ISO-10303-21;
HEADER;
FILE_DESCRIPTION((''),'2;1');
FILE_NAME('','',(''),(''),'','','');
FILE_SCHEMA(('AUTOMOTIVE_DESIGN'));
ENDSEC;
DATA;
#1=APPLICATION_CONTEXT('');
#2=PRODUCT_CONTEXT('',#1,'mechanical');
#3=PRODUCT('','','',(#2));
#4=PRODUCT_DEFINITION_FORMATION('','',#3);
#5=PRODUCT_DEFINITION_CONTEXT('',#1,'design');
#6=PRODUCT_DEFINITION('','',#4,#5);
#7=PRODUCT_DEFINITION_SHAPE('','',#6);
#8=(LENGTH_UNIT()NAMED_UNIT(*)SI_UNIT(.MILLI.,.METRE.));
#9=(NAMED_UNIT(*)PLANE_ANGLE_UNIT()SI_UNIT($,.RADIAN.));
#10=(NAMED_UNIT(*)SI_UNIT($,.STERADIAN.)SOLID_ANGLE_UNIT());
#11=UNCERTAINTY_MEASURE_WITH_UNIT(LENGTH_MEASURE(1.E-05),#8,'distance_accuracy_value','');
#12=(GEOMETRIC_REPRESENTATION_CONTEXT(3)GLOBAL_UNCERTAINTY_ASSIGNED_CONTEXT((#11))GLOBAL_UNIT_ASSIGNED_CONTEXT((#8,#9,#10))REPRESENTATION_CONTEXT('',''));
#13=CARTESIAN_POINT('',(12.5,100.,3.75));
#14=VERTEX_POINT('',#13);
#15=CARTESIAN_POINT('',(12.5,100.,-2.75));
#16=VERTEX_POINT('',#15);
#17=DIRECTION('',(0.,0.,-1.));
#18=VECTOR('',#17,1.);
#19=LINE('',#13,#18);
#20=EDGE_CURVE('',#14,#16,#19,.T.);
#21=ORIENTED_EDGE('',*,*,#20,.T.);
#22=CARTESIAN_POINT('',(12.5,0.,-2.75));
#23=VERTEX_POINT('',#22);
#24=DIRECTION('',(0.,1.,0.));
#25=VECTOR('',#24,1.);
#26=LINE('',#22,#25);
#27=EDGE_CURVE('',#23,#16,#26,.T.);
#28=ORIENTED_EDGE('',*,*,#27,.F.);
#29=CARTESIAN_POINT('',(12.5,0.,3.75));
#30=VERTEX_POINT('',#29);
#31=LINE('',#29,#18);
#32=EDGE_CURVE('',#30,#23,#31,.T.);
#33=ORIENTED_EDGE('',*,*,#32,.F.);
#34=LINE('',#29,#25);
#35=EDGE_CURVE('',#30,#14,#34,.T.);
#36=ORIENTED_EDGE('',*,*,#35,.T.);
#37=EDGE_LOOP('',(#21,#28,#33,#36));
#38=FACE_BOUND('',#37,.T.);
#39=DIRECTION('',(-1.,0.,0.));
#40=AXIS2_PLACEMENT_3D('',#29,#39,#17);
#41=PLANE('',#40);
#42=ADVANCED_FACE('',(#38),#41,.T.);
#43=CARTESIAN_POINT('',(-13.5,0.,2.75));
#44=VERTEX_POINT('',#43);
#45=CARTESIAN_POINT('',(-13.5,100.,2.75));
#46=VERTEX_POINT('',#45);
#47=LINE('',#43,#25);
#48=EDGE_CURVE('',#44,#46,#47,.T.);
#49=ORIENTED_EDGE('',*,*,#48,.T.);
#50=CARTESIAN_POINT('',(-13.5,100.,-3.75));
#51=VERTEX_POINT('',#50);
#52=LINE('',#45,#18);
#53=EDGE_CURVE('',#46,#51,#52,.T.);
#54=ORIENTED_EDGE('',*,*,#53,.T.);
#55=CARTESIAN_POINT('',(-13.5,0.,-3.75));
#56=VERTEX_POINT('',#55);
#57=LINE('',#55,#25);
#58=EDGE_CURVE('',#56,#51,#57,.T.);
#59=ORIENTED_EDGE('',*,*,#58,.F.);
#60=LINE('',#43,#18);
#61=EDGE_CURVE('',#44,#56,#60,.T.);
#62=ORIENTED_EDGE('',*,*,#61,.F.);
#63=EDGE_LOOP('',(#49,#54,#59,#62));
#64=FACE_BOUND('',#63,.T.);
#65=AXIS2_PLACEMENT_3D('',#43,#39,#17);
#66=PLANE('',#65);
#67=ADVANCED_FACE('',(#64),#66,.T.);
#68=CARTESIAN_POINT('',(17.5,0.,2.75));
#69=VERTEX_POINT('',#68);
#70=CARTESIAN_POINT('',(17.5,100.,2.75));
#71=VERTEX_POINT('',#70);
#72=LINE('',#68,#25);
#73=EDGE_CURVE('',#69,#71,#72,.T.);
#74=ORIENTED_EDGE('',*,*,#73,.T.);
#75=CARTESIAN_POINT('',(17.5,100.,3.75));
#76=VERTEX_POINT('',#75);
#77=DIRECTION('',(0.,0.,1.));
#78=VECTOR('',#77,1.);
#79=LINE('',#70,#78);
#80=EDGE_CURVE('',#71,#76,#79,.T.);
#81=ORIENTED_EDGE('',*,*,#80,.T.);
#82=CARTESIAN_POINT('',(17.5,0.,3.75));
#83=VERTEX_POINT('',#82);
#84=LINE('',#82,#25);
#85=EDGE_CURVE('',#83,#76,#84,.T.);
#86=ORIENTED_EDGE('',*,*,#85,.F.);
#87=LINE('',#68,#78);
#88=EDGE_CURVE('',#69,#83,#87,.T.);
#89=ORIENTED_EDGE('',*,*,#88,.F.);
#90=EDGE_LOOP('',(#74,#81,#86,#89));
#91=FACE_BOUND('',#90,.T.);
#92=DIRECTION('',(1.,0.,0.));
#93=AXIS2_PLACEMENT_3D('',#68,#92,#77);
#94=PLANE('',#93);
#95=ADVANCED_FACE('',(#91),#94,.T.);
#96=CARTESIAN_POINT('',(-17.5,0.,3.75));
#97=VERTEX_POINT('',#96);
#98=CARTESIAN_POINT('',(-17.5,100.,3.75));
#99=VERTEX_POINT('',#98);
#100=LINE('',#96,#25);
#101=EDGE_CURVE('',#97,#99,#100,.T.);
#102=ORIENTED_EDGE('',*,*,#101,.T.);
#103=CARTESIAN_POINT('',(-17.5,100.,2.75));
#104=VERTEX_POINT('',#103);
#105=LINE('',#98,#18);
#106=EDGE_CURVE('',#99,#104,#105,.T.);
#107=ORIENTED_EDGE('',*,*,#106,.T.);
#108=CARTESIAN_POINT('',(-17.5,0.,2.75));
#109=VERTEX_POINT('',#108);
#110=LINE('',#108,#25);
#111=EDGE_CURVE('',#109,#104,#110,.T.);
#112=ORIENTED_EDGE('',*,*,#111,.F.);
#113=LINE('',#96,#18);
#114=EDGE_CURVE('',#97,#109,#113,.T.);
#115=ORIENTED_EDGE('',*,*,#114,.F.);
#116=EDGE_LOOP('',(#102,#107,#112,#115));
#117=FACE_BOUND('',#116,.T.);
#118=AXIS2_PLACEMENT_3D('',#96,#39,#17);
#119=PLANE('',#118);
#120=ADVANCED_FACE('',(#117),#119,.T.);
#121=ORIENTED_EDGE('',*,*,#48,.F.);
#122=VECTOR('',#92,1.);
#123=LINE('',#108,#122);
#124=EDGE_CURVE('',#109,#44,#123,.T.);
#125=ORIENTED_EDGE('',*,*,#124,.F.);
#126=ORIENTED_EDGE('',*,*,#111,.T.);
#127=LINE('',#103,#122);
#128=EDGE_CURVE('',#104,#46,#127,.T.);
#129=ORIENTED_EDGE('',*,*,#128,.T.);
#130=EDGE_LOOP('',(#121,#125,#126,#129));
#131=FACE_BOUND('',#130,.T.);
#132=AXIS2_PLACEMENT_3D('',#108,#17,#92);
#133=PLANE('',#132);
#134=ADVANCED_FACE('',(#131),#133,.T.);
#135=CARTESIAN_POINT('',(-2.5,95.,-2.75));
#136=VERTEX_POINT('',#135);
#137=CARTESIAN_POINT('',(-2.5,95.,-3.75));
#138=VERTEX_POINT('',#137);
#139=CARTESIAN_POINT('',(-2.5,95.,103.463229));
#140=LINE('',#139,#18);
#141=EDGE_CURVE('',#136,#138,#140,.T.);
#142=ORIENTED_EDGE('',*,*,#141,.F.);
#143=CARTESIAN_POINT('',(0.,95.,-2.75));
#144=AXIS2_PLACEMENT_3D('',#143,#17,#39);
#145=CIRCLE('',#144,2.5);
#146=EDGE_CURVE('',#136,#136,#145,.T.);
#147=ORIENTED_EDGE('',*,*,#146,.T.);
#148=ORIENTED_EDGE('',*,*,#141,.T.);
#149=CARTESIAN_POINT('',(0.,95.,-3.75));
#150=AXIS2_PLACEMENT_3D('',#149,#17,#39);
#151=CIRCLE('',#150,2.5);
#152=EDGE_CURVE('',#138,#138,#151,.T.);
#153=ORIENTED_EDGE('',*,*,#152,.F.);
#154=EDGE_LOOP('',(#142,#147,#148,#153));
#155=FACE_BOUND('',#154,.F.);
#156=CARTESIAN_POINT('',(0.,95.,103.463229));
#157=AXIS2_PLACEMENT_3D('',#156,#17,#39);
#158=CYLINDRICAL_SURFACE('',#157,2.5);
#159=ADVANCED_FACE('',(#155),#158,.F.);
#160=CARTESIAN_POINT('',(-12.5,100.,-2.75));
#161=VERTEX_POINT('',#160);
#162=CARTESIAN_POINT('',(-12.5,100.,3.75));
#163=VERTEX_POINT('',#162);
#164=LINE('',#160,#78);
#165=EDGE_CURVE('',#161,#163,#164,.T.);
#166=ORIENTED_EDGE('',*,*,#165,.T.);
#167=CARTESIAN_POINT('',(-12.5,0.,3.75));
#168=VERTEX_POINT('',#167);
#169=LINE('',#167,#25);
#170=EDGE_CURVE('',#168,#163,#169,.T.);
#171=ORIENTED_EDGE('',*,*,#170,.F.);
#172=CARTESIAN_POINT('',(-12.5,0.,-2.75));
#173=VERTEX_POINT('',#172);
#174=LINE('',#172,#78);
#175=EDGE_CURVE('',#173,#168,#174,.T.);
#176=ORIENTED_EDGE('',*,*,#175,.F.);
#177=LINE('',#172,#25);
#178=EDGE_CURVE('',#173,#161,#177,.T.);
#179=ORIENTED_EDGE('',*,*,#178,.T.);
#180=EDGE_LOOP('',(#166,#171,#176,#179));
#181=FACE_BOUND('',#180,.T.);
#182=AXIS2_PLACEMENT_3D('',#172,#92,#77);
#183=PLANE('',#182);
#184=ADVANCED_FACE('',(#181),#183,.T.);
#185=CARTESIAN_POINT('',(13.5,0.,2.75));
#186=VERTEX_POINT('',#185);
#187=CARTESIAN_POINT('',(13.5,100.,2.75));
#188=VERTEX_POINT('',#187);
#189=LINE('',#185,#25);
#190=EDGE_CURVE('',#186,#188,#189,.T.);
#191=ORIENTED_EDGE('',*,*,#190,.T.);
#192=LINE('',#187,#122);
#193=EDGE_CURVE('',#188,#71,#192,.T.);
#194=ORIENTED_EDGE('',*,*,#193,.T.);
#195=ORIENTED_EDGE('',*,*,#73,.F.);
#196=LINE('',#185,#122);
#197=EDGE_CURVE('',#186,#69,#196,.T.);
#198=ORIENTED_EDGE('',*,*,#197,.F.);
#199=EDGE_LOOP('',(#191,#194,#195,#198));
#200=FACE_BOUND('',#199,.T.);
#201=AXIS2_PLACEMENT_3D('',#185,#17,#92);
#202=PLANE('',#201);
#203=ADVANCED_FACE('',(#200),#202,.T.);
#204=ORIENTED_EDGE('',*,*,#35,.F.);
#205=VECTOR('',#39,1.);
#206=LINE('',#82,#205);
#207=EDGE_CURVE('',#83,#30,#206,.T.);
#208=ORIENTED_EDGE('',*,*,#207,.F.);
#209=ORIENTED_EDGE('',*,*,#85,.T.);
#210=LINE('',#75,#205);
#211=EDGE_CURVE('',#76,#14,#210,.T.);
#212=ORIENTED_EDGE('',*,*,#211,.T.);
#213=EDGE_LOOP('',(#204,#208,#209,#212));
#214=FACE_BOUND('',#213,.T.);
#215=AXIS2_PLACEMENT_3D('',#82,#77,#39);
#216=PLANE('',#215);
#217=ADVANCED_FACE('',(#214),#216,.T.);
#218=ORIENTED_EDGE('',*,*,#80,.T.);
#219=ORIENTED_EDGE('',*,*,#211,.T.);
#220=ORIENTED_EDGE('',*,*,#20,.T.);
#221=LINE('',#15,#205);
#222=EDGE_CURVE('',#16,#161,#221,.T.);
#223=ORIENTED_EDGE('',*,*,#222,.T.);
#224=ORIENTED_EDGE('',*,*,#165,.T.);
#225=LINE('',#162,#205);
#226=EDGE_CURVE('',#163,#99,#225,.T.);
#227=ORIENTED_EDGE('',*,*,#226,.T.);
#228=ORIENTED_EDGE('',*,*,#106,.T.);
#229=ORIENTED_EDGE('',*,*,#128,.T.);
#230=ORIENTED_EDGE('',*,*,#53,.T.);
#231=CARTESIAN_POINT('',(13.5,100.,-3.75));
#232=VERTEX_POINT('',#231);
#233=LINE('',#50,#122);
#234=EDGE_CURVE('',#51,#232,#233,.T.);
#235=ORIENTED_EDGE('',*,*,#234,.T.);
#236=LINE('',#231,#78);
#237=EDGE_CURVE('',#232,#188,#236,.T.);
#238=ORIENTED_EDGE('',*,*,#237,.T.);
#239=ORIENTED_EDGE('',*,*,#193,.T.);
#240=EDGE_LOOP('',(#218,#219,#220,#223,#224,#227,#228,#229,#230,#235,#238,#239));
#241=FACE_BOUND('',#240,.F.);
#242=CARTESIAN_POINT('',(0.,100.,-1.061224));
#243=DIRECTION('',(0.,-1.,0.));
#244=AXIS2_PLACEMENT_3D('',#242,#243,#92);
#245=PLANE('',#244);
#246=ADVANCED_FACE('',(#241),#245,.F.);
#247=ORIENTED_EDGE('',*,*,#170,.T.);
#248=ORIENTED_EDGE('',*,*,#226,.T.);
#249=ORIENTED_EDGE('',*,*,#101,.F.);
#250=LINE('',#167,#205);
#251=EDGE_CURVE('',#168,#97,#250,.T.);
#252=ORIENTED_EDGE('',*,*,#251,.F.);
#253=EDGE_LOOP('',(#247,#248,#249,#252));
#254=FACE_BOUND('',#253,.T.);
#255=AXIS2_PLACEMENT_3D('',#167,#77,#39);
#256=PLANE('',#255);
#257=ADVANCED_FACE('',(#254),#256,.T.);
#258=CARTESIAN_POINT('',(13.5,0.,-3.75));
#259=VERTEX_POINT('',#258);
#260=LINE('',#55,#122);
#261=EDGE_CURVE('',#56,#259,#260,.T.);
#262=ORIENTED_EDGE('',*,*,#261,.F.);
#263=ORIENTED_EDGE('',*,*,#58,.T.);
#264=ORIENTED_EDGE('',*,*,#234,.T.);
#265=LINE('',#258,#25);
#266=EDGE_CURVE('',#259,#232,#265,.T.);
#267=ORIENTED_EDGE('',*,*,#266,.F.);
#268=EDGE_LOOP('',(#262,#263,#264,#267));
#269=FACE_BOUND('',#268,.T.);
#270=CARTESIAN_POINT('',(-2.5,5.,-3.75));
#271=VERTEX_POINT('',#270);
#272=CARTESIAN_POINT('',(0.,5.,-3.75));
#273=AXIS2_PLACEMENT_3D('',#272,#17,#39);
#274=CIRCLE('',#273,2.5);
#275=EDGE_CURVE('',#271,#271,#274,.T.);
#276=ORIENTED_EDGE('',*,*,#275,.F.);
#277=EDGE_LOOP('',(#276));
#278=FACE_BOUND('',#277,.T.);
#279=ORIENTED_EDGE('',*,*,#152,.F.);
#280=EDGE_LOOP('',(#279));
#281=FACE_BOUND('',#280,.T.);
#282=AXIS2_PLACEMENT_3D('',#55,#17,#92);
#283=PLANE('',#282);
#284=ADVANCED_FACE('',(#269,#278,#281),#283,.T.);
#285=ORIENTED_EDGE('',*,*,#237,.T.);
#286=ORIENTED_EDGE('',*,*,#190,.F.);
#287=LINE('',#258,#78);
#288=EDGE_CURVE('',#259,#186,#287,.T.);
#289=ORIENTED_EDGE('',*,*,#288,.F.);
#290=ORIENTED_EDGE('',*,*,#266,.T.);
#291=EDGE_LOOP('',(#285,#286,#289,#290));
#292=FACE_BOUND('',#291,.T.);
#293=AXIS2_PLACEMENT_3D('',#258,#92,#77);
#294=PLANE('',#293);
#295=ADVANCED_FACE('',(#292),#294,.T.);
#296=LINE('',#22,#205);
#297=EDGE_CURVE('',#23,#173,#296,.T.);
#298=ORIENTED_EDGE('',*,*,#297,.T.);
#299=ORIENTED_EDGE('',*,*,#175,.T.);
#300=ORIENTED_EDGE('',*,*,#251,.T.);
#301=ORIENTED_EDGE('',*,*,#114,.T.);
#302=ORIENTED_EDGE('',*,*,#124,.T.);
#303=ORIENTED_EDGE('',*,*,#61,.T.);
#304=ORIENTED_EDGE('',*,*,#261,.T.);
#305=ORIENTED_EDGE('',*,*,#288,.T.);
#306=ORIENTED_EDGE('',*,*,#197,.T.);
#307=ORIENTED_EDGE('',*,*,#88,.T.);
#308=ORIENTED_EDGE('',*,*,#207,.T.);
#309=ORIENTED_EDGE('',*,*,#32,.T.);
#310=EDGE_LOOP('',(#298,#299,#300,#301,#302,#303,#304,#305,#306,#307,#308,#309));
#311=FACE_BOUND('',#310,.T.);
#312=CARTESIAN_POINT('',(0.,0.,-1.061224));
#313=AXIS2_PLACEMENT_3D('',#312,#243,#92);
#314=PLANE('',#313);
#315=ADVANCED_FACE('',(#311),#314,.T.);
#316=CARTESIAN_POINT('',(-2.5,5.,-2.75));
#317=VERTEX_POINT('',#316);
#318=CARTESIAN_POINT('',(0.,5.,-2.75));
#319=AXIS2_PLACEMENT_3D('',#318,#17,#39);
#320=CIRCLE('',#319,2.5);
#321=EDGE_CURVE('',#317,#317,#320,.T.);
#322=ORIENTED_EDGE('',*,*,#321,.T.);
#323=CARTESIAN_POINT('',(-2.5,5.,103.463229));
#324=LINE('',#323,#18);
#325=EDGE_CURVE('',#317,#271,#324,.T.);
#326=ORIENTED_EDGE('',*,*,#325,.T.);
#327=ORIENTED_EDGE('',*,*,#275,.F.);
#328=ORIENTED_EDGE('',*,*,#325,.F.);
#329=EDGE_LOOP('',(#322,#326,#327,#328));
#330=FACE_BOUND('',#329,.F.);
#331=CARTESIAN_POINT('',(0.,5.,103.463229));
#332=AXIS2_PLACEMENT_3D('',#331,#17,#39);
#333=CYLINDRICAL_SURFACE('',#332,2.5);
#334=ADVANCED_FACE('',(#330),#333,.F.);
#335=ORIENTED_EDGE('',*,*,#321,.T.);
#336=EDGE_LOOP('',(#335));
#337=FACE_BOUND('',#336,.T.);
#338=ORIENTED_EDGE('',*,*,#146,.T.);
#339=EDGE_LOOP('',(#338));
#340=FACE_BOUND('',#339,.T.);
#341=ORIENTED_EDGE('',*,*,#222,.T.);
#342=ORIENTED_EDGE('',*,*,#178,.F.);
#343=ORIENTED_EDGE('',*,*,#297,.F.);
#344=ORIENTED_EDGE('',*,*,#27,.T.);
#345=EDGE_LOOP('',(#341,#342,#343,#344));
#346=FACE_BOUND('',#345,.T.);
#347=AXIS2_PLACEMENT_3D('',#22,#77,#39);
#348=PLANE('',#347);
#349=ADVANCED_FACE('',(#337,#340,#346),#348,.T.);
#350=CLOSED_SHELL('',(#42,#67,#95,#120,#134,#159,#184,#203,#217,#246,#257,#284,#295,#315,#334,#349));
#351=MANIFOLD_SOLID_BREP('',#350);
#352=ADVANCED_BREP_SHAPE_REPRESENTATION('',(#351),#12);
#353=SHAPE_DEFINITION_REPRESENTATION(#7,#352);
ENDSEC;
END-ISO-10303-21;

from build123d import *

# Parameters (mm, degrees)
F1_DEPTH = 100
F3_D     = 5


with BuildPart() as f1:
    # F0 (on Front) → F1 (new body)
    with BuildSketch(Plane.XZ):
        Polygon((-12.5, 3.75), (-17.5, 3.75), (-17.5, 2.75), (-13.5, 2.75), (-13.5, -3.75), (-2.6, -3.75), (2.6, -3.75), (13.5, -3.75), (13.5, 2.75), (17.5, 2.75), (17.5, 3.75), (12.5, 3.75), (12.5, -2.75), (2.6, -2.75), (-2.6, -2.75), (-12.5, -2.75), align=None)
    extrude(amount=-F1_DEPTH)

    # F3 (through all)
    with Locations(Plane.XY.offset(-2.75)):
        with Locations((0, 95), (0, 5)):
            Hole(F3_D / 2)


solid = f1.part
